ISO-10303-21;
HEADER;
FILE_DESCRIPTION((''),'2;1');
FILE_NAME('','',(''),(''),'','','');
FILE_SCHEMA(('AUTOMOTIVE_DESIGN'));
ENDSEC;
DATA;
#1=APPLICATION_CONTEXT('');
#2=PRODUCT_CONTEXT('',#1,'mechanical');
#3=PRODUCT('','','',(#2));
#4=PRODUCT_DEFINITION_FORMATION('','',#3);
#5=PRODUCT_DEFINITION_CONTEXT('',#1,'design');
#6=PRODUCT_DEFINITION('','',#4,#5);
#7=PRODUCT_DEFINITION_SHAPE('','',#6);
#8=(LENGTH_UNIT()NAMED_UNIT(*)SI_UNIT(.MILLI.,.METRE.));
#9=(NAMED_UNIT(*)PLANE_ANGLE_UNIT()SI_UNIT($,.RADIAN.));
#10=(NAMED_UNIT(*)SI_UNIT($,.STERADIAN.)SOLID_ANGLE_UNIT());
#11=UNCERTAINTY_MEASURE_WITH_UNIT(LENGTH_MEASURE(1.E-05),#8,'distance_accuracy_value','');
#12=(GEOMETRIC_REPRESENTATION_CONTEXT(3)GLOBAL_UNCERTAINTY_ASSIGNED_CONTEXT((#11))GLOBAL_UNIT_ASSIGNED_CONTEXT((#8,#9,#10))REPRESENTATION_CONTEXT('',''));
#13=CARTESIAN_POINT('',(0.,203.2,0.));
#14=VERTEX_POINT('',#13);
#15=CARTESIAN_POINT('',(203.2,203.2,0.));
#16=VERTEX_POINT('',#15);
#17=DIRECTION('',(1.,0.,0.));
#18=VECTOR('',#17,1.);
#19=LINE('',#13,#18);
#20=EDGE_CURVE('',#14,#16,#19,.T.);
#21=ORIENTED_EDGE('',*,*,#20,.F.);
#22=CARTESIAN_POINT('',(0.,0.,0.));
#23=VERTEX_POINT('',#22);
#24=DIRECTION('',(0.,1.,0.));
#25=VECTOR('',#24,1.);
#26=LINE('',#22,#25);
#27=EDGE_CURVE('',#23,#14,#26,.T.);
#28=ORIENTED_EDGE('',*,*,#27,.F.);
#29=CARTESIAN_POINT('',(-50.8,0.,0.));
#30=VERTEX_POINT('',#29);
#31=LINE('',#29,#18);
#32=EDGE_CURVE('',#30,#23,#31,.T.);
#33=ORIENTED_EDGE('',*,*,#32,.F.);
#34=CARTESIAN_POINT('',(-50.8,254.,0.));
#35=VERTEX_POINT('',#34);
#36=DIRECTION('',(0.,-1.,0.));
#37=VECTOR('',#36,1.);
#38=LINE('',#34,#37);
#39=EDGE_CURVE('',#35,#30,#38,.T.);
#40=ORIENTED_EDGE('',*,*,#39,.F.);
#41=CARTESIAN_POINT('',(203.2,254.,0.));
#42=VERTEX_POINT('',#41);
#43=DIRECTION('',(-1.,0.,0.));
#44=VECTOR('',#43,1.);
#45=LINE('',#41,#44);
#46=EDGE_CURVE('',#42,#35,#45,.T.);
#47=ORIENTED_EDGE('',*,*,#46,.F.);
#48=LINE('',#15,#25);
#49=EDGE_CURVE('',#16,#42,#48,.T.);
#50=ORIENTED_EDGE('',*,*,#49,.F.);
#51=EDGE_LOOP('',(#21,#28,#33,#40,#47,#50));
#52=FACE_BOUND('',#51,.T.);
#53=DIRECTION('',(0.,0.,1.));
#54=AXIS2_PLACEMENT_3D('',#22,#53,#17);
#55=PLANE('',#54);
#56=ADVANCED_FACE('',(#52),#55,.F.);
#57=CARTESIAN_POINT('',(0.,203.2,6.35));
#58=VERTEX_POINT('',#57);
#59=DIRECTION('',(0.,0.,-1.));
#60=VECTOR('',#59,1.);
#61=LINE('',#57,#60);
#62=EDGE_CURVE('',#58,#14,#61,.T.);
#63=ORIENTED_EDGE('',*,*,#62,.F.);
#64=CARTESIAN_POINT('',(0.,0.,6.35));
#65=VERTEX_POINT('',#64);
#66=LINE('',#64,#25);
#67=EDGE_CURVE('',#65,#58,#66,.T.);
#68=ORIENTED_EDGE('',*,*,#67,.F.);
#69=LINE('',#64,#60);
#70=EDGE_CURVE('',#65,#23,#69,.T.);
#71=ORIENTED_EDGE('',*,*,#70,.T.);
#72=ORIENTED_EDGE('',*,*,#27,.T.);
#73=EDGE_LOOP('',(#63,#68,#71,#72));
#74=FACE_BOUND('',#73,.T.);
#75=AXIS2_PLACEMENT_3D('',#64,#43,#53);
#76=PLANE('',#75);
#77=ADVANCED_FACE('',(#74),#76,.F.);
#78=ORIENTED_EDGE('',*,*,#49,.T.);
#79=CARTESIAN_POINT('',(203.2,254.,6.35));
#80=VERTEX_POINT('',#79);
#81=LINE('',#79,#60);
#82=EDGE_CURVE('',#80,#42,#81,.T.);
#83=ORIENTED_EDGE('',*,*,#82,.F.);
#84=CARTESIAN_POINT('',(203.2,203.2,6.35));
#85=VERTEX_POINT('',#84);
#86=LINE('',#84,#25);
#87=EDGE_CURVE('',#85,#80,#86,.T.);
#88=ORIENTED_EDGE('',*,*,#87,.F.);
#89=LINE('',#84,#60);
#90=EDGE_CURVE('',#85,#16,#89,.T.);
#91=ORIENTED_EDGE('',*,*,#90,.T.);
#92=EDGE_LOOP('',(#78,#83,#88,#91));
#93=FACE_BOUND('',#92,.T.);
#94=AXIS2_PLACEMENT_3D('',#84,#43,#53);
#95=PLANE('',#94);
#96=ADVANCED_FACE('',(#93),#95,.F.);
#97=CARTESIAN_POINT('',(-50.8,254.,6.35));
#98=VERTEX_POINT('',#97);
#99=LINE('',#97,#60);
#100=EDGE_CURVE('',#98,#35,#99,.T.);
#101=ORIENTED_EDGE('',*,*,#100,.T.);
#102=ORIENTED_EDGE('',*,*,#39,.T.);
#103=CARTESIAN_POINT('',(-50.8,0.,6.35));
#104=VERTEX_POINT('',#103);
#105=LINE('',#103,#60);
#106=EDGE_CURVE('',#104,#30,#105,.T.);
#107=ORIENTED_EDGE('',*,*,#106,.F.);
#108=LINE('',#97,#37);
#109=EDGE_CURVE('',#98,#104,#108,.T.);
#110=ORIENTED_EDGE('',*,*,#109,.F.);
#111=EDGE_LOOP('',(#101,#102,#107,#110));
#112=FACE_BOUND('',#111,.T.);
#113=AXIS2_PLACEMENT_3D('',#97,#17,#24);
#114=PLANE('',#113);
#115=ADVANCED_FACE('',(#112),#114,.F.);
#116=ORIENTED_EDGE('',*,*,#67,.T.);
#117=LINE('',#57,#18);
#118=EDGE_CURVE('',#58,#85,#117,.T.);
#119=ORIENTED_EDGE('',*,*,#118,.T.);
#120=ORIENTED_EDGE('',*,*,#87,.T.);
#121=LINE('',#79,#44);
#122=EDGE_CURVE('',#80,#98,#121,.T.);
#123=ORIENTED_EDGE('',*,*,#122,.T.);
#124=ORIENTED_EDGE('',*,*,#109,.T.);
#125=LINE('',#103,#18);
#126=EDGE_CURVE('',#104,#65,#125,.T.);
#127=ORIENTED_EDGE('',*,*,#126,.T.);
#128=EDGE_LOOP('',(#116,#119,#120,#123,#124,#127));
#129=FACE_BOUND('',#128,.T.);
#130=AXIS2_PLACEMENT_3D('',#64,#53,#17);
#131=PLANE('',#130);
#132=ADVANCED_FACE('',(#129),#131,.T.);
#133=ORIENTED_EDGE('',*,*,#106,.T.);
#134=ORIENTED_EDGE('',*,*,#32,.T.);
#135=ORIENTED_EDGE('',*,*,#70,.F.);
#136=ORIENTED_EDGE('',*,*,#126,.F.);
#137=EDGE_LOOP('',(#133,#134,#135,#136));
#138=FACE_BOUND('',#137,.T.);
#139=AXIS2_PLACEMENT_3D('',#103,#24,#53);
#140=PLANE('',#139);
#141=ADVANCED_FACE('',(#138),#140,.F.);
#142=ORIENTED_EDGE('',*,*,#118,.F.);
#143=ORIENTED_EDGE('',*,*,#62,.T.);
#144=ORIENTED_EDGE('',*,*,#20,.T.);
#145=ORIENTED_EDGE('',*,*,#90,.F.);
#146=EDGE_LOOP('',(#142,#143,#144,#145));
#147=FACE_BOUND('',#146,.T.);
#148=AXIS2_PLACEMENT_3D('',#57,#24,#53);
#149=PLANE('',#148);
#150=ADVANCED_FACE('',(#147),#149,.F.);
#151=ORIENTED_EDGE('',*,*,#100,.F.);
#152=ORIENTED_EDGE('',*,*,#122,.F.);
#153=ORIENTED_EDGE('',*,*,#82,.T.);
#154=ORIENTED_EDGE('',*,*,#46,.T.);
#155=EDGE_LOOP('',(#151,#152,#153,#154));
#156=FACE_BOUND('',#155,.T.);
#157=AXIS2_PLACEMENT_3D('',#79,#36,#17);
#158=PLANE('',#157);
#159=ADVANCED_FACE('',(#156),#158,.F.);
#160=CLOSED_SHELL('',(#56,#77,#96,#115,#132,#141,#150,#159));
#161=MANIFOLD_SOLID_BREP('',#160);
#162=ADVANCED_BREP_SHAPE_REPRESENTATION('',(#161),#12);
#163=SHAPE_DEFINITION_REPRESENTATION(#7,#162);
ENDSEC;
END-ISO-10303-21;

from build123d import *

# Parameters (mm, degrees)
BOSS_EXTRUDE1_DEPTH = 6.35


with BuildPart() as part:
    # Sketch1 → Boss-Extrude1 (new body)
    with BuildSketch(Plane.XY):
        Polygon((0, 0), (0, 203.2), (203.2, 203.2), (203.2, 254), (-50.8, 254), (-50.8, 0), align=None)
    extrude(amount=BOSS_EXTRUDE1_DEPTH)


solid = part.part
